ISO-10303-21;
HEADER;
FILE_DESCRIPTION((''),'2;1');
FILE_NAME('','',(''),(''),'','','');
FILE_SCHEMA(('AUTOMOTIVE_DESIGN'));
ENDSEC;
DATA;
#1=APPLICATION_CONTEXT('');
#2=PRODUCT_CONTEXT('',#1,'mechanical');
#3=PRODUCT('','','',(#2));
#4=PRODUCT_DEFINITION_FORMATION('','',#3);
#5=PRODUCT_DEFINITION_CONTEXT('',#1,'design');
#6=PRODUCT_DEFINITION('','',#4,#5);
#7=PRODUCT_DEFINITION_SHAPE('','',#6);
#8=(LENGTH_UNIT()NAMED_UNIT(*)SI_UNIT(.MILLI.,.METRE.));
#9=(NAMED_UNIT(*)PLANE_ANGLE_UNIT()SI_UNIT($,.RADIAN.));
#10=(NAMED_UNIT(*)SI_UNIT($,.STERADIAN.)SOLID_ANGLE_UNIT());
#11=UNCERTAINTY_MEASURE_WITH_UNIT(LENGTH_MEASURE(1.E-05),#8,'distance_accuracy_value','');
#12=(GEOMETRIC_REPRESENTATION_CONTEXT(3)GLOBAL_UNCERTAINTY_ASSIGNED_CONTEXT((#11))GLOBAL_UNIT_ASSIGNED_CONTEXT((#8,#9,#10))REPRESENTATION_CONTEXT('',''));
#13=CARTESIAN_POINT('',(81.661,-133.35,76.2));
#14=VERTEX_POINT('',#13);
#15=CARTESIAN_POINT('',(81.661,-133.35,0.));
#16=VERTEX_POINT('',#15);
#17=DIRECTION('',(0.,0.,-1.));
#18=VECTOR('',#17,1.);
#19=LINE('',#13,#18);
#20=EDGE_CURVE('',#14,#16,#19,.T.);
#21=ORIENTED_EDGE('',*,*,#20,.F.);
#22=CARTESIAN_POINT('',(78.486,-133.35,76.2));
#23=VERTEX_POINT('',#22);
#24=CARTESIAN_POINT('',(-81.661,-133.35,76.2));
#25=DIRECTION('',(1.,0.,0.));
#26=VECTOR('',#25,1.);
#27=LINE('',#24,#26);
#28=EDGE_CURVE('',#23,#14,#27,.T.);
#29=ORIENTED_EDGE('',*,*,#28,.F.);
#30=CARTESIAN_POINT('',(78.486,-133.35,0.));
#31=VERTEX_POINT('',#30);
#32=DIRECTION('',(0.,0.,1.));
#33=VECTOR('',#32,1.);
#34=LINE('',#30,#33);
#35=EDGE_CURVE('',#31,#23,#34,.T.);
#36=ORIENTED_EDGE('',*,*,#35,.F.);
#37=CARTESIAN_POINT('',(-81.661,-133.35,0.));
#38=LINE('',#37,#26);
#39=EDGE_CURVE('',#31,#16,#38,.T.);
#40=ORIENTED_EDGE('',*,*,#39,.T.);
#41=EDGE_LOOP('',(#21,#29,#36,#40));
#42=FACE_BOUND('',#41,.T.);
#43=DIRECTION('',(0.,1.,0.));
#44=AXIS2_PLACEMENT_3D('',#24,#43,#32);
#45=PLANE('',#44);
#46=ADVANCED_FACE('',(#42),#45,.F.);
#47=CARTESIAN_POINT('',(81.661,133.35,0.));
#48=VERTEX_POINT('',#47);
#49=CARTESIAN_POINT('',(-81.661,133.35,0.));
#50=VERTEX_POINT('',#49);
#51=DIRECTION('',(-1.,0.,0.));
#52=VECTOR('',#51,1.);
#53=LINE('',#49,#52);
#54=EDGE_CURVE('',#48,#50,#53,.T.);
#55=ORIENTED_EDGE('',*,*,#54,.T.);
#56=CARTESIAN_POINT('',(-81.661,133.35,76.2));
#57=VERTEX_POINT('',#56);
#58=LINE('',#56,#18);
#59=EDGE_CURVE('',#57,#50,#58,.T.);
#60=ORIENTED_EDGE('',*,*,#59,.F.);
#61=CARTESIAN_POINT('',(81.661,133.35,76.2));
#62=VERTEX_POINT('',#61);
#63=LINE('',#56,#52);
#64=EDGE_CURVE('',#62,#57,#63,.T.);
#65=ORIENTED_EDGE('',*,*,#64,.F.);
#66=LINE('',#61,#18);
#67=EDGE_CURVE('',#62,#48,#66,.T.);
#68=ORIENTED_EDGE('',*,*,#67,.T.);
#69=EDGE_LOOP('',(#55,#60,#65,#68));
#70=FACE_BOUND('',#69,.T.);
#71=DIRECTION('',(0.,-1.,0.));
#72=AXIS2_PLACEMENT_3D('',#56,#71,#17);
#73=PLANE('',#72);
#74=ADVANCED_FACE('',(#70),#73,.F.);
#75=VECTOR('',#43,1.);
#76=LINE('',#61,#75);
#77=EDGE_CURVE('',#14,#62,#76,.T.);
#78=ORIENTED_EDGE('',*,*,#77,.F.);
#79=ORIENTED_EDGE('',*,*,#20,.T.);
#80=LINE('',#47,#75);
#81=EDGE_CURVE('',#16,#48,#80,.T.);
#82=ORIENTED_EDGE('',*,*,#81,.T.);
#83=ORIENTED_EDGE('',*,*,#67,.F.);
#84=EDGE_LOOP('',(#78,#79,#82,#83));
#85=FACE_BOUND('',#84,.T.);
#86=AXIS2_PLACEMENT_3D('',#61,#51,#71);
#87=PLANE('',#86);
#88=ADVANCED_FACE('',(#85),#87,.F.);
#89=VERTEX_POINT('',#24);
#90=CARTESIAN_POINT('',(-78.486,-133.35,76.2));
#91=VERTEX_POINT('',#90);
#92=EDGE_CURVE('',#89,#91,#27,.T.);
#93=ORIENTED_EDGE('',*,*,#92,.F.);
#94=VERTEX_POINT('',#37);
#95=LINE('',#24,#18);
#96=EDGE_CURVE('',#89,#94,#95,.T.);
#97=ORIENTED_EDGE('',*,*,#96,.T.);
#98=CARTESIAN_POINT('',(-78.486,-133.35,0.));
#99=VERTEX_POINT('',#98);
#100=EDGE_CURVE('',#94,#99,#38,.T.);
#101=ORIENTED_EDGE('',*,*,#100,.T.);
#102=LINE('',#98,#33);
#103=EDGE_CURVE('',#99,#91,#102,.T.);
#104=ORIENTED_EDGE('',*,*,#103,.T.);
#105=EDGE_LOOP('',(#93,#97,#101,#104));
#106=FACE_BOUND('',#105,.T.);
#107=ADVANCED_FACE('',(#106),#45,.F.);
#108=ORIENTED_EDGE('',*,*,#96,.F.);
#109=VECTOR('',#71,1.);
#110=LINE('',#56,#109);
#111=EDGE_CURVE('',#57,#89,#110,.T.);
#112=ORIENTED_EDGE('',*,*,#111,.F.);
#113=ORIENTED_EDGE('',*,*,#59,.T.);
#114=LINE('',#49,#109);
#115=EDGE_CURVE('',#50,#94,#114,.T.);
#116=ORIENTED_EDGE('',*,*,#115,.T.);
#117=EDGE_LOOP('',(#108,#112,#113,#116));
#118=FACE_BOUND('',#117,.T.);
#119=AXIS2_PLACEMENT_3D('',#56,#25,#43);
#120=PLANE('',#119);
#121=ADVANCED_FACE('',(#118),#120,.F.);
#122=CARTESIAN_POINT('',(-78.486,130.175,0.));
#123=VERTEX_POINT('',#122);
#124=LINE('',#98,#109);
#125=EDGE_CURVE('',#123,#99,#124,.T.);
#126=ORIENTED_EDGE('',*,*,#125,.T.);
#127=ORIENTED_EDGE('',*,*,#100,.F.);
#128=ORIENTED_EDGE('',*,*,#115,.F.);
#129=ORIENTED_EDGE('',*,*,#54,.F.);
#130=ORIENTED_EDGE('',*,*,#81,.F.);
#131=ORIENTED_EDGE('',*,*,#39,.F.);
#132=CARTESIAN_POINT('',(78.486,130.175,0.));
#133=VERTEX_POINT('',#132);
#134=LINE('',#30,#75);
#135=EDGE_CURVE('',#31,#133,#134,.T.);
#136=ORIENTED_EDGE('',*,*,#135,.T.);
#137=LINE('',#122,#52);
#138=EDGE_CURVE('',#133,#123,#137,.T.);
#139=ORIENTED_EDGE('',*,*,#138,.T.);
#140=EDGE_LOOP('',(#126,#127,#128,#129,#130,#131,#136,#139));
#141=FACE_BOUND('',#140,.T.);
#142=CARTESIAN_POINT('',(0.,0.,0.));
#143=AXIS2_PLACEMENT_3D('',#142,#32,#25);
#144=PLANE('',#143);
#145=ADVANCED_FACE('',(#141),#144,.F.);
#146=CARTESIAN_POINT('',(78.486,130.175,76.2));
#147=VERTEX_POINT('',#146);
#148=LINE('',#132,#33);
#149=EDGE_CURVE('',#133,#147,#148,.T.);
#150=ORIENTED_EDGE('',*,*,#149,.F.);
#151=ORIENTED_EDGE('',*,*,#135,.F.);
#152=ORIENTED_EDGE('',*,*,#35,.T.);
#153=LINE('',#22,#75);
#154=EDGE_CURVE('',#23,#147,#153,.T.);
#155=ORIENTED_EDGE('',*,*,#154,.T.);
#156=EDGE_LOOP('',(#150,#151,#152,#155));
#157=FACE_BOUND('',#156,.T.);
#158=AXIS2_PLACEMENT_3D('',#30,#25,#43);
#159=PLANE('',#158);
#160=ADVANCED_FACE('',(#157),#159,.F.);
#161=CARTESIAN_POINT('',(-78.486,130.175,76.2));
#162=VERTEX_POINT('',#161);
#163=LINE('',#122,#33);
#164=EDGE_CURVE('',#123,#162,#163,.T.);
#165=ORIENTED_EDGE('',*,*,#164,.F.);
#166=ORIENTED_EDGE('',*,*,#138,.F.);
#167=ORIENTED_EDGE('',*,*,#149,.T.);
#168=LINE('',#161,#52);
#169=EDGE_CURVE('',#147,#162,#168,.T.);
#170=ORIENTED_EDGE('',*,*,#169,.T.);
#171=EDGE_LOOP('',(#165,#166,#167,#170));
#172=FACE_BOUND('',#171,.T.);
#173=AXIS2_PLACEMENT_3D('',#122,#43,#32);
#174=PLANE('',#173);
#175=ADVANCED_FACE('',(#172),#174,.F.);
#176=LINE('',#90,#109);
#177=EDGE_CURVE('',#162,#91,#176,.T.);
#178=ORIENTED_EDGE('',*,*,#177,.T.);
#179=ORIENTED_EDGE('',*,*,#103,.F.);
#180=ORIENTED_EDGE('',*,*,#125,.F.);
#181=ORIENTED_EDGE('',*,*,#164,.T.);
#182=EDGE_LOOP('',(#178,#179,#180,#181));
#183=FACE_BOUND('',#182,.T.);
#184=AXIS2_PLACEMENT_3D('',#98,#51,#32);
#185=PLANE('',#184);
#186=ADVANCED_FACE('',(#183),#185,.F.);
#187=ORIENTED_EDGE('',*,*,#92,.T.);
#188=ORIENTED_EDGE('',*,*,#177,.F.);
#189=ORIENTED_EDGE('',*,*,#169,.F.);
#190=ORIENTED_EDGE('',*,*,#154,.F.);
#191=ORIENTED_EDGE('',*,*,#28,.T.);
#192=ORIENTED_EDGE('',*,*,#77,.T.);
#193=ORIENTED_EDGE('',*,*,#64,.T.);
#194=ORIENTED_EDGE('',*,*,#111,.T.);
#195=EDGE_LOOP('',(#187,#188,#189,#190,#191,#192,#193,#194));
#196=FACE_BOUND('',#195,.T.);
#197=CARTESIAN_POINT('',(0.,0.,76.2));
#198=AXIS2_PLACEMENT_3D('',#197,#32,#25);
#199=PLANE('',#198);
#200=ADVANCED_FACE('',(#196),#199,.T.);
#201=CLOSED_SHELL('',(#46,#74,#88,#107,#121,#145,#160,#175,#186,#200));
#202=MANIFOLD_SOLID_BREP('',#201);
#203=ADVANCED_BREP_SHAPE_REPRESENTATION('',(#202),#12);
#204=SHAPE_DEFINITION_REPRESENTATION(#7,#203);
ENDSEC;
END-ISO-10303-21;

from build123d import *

# Parameters (mm, degrees)
SKETCH1_W           = 163.322
SKETCH1_H           = 266.7
BOSS_EXTRUDE1_DEPTH = 76.2
SKETCH2_W           = 156.972
SKETCH2_H           = 263.525
CUT_EXTRUDE1_DEPTH  = 76.2


with BuildPart() as part:
    # Sketch1 → Boss-Extrude1 (new body)
    with BuildSketch(Plane.XY):
        Rectangle(SKETCH1_W, SKETCH1_H)
    extrude(amount=BOSS_EXTRUDE1_DEPTH)

    # Sketch2 → Cut-Extrude1 (cut)
    with BuildSketch(Plane.XY.offset(76.2)):
        with Locations((0, -1.5875)):
            Rectangle(SKETCH2_W, SKETCH2_H)
    extrude(amount=-CUT_EXTRUDE1_DEPTH, mode=Mode.SUBTRACT)


solid = part.part
